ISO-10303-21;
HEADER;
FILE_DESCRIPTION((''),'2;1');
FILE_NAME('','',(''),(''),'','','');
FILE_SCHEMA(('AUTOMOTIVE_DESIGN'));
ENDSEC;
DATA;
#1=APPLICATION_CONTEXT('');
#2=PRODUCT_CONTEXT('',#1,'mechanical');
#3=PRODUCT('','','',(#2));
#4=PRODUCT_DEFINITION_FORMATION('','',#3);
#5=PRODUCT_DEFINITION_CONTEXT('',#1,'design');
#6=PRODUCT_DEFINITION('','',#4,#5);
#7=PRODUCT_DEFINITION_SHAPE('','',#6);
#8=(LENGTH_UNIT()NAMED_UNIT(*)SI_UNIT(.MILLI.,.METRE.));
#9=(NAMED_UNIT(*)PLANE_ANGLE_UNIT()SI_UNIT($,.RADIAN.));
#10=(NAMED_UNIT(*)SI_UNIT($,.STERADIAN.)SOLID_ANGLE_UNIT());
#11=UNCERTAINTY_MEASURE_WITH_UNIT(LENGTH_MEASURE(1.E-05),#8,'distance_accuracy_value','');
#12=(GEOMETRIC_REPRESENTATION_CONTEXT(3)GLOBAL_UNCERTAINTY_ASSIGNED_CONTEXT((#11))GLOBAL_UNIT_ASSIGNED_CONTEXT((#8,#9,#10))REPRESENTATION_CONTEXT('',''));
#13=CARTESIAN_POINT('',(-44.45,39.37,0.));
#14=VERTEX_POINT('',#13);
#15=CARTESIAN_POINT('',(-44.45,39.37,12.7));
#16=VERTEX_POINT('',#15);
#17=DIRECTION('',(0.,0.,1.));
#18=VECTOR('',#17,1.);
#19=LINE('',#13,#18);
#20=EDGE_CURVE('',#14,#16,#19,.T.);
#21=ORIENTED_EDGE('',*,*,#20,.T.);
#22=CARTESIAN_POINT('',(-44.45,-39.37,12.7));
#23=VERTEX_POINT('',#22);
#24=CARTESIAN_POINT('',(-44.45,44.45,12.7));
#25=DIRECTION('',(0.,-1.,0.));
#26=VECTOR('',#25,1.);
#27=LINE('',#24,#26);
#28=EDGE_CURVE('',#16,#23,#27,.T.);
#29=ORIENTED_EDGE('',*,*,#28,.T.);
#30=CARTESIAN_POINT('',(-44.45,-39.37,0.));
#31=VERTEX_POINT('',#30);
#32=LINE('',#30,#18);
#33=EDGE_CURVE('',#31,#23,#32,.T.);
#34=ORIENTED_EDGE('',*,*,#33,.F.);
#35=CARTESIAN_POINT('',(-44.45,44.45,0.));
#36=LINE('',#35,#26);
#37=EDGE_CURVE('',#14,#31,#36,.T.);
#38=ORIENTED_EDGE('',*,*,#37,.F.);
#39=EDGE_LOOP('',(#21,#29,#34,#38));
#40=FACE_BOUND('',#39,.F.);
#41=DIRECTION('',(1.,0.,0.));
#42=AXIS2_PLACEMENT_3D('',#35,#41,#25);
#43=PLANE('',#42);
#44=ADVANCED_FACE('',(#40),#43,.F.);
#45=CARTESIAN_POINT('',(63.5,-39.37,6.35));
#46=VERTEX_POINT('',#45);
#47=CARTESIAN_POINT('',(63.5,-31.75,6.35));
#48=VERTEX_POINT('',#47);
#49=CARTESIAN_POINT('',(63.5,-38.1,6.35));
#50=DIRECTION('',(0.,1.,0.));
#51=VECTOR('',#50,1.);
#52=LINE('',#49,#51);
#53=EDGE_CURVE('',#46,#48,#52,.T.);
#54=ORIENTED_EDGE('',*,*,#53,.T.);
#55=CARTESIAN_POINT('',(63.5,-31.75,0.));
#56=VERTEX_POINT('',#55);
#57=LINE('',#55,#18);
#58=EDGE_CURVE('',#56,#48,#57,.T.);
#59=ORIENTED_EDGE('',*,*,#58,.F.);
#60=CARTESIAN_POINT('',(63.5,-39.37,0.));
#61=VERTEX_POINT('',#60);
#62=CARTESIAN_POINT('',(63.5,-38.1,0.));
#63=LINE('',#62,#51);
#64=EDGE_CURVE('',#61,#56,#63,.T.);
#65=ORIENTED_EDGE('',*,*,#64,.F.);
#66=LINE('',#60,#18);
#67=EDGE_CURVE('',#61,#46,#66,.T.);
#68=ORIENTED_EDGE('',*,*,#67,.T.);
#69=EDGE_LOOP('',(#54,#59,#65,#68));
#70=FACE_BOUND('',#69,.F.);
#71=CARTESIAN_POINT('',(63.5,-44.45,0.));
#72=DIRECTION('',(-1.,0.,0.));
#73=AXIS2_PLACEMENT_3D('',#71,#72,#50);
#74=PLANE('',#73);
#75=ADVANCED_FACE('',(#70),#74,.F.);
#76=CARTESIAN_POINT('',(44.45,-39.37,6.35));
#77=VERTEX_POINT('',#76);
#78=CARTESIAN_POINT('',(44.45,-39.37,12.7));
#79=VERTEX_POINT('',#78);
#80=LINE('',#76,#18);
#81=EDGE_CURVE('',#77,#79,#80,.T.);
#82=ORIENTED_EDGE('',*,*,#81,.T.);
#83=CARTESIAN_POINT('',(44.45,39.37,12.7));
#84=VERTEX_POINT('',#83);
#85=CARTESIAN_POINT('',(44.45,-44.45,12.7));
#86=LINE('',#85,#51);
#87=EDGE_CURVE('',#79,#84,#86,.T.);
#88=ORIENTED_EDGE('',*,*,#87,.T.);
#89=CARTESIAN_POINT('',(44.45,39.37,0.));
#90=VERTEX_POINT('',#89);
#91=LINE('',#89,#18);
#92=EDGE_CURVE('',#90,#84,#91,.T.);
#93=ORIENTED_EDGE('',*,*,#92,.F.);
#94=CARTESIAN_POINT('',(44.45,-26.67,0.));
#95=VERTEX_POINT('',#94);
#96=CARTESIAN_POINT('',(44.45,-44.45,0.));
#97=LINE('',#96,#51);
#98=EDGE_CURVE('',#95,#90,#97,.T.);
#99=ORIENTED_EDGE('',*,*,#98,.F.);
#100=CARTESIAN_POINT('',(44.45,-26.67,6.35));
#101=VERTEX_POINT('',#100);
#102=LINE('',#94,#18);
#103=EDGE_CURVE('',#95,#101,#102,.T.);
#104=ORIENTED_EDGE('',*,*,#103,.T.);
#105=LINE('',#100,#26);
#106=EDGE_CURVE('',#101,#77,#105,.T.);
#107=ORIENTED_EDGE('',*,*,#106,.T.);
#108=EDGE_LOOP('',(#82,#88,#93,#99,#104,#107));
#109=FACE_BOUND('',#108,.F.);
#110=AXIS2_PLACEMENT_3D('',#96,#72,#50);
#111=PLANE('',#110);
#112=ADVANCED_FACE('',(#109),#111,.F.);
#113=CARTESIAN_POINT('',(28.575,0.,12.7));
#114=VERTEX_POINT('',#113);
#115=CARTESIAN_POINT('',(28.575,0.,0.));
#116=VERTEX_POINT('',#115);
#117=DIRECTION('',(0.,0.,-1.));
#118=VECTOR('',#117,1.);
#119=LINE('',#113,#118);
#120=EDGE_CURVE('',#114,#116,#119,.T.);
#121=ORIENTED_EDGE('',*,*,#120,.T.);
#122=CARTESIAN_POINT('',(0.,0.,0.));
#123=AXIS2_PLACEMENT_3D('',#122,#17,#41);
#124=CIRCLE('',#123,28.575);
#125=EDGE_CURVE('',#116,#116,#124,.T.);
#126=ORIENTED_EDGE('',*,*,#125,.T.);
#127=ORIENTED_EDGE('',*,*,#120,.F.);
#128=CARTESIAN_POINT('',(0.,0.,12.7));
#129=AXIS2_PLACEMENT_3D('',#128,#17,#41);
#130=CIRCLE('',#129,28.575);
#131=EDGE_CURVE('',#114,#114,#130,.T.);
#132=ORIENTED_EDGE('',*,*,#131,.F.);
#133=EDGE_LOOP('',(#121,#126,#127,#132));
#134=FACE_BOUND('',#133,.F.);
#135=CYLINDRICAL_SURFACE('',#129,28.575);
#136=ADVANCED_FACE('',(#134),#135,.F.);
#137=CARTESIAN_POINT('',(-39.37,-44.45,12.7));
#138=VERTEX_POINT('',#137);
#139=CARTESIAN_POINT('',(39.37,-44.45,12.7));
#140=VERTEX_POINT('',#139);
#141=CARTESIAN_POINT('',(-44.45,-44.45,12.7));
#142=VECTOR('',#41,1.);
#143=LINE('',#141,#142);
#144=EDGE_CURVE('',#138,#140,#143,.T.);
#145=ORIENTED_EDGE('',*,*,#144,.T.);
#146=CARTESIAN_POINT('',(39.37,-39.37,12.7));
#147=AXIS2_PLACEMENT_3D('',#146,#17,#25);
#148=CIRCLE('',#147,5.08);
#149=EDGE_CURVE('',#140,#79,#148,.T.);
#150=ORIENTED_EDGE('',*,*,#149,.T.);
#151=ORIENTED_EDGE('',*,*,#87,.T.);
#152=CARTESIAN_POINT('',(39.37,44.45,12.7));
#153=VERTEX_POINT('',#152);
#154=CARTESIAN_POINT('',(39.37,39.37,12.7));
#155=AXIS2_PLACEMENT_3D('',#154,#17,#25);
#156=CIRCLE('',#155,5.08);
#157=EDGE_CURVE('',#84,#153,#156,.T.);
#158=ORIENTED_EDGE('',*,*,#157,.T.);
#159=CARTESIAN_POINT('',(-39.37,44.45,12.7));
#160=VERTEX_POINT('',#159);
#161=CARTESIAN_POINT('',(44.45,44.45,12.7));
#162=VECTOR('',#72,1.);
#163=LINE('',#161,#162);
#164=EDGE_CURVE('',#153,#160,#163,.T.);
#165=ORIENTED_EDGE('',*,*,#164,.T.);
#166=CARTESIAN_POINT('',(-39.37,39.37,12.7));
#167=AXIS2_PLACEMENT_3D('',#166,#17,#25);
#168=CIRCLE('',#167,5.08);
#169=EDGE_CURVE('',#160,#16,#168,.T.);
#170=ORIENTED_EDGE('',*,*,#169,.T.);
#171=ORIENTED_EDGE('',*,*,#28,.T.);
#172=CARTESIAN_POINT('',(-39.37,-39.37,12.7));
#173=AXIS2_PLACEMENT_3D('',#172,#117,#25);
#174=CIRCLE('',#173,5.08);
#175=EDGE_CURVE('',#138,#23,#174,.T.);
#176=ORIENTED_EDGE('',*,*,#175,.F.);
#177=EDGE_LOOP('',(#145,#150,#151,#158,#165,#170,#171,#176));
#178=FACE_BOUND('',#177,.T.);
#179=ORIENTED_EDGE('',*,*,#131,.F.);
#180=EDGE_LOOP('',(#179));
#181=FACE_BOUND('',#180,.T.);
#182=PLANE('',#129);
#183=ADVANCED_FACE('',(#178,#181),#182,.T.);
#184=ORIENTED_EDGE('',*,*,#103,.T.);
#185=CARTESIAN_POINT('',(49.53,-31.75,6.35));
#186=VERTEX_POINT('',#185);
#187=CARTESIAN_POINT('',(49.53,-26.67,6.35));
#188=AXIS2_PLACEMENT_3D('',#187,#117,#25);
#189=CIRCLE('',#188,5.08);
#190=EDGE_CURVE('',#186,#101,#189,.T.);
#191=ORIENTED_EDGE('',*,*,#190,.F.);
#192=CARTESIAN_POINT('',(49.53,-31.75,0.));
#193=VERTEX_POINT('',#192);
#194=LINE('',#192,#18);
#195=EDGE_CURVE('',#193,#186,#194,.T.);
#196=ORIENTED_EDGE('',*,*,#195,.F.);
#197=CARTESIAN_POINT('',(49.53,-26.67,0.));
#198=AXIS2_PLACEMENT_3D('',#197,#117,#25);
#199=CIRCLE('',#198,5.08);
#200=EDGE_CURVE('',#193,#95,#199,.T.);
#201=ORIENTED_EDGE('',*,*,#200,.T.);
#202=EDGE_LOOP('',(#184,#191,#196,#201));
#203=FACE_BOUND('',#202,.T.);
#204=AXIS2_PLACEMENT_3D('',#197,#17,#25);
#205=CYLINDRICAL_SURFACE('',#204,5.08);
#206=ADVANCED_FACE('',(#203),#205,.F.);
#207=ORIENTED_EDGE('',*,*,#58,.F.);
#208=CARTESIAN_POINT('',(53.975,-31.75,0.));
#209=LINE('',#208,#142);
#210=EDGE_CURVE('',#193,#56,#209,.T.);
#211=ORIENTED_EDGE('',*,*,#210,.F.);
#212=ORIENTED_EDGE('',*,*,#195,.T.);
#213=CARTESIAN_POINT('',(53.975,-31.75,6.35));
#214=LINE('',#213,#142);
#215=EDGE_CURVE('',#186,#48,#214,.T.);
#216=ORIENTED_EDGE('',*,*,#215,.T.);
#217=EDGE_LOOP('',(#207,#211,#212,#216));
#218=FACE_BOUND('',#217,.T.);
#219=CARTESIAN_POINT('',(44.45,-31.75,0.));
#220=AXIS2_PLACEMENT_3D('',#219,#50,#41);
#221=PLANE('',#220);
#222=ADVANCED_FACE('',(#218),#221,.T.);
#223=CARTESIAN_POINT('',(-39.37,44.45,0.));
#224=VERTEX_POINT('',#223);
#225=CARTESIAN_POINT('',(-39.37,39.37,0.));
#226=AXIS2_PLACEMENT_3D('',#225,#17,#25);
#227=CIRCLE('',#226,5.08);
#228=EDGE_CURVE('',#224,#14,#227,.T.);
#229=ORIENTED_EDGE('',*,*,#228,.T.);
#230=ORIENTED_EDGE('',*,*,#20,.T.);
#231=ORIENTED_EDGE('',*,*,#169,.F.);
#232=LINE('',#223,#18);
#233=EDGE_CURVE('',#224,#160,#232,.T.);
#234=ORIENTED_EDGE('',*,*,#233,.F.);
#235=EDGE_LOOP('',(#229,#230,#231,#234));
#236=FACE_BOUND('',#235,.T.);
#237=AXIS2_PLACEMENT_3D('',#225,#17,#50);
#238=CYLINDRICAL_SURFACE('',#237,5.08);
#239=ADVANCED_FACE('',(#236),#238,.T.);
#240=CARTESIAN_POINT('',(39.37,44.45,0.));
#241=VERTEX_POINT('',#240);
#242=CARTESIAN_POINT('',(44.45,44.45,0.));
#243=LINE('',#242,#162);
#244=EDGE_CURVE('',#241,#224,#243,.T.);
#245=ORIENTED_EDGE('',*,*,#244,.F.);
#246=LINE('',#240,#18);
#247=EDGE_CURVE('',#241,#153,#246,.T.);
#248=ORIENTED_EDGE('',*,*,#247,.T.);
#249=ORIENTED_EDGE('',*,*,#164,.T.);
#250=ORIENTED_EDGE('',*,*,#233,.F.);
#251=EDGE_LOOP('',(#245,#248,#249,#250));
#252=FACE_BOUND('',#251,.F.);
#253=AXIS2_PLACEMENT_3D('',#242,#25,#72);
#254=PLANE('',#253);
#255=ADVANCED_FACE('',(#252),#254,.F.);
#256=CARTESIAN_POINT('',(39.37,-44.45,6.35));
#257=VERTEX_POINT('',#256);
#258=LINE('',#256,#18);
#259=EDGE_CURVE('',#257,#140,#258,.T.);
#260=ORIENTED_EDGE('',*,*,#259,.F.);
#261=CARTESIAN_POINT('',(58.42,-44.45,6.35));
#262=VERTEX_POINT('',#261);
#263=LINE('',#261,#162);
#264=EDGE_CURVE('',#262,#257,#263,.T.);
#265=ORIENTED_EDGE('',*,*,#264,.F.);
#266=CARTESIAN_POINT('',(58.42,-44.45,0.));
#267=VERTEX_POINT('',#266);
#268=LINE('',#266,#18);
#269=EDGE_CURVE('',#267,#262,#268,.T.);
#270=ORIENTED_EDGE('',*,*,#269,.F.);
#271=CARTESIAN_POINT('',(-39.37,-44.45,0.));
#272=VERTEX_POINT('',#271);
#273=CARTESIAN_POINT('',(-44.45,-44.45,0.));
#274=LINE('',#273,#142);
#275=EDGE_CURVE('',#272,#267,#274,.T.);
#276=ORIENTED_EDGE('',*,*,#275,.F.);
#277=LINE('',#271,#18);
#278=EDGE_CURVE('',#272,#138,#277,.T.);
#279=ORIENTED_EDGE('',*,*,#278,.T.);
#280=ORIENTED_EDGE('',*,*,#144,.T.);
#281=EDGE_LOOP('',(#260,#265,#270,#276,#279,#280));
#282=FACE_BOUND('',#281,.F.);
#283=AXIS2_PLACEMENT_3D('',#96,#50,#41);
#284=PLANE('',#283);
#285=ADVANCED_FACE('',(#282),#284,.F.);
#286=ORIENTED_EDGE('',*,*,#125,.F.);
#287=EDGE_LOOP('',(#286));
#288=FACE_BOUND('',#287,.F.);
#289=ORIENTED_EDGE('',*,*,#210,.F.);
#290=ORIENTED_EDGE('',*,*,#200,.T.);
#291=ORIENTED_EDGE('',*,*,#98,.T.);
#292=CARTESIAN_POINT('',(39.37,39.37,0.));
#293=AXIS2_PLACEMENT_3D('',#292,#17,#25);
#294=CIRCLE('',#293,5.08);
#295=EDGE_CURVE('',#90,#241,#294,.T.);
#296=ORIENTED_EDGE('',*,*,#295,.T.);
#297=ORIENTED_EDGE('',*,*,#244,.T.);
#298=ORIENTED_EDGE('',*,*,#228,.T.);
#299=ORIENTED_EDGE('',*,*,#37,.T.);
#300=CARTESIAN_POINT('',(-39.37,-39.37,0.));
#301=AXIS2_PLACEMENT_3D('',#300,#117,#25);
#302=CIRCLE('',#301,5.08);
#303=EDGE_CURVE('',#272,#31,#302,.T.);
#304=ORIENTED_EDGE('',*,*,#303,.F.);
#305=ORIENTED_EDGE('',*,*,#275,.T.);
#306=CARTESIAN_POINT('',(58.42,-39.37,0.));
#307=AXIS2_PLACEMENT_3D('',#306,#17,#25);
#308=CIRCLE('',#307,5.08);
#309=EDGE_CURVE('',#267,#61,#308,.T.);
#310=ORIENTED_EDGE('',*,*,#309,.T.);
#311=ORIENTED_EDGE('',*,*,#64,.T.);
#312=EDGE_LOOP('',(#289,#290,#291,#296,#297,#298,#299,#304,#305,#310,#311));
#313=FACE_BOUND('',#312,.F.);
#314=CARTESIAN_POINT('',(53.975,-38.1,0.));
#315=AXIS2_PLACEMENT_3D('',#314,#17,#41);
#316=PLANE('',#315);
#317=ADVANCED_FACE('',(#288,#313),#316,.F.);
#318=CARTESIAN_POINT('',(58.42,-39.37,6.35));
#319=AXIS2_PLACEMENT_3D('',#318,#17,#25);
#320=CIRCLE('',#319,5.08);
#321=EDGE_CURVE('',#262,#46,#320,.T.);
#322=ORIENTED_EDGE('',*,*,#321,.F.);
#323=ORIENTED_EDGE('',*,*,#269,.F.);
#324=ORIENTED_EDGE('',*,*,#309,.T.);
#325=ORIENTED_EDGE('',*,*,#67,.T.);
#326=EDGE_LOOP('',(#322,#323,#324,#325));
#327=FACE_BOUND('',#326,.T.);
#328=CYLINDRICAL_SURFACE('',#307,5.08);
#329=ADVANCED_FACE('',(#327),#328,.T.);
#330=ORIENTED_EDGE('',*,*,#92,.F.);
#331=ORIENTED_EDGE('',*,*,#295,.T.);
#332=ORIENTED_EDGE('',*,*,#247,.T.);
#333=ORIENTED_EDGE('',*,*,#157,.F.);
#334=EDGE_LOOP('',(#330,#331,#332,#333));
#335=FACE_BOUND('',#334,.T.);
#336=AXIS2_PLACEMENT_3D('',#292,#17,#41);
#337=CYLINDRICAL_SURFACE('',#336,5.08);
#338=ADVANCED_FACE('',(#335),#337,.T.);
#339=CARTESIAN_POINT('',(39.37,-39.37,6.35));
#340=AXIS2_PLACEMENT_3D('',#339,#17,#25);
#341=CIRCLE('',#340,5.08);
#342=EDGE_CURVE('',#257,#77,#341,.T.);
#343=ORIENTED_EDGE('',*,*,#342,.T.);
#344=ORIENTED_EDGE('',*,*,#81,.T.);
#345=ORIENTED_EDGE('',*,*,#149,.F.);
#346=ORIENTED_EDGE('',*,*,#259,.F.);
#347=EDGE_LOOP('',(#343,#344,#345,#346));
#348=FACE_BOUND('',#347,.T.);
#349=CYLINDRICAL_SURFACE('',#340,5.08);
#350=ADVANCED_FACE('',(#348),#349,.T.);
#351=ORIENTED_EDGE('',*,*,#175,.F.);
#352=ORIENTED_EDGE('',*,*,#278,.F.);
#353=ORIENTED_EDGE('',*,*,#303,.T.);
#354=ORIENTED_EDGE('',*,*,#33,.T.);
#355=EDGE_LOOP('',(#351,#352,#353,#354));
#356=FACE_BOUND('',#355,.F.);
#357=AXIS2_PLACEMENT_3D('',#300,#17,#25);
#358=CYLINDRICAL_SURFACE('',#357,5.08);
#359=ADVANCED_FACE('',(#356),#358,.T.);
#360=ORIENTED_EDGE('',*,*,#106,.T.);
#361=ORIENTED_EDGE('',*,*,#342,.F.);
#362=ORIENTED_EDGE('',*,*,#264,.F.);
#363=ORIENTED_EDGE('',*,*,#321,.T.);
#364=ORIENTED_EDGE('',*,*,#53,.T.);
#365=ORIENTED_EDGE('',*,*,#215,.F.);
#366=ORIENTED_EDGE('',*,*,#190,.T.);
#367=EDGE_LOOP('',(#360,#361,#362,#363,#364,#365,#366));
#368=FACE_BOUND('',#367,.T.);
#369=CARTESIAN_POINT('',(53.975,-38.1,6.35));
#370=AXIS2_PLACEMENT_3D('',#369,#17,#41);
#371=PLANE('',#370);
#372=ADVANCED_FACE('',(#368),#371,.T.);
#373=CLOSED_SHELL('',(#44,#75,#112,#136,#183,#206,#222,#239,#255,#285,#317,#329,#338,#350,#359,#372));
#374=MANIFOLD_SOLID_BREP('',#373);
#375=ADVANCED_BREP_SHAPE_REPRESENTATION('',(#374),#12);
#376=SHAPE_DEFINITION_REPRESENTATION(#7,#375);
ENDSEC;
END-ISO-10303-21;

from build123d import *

# Parameters (mm, degrees)
F1_DEPTH = 12.7
F0_W     = 19.05
F0_H     = 12.7
F2_DEPTH = 6.35
F3_R     = 5.08
F4_R     = 5.08
F5_R     = 28.575
F6_DEPTH = 25.4


with BuildPart() as f1:
    # F0 (on Top) → F1 (new body)
    with BuildSketch(Plane.XY):
        Polygon((44.45, 44.45), (-44.45, 44.45), (-44.45, -44.45), (44.45, -44.45), (44.45, -31.75), align=None)
    extrude(amount=F1_DEPTH)

    # F0 (on Top) → F2 (join)
    with BuildSketch(Plane.XY):
        with Locations((53.975, -38.1)):
            Rectangle(F0_W, F0_H)
    extrude(amount=F2_DEPTH)

    # F3
    f3_edges = [f1.edges().sort_by_distance(p)[0] for p in [
        (-44.45, -44.45, 6.35),
        (-44.45, 44.45, 6.35),
        (44.45, 44.45, 6.35),
        (44.45, -31.75, 3.175),
    ]]
    fillet(f3_edges, radius=F3_R)

    # F4
    f4_edges = [f1.edges().sort_by_distance(p)[0] for p in [
        (44.45, -44.45, 9.525),
        (63.5, -44.45, 3.175),
    ]]
    fillet(f4_edges, radius=F4_R)

    # F5 (on face) → F6 (cut)
    with BuildSketch(Plane.XY.offset(12.7)):
        Circle(F5_R)
    extrude(amount=-F6_DEPTH, mode=Mode.SUBTRACT)


solid = f1.part
